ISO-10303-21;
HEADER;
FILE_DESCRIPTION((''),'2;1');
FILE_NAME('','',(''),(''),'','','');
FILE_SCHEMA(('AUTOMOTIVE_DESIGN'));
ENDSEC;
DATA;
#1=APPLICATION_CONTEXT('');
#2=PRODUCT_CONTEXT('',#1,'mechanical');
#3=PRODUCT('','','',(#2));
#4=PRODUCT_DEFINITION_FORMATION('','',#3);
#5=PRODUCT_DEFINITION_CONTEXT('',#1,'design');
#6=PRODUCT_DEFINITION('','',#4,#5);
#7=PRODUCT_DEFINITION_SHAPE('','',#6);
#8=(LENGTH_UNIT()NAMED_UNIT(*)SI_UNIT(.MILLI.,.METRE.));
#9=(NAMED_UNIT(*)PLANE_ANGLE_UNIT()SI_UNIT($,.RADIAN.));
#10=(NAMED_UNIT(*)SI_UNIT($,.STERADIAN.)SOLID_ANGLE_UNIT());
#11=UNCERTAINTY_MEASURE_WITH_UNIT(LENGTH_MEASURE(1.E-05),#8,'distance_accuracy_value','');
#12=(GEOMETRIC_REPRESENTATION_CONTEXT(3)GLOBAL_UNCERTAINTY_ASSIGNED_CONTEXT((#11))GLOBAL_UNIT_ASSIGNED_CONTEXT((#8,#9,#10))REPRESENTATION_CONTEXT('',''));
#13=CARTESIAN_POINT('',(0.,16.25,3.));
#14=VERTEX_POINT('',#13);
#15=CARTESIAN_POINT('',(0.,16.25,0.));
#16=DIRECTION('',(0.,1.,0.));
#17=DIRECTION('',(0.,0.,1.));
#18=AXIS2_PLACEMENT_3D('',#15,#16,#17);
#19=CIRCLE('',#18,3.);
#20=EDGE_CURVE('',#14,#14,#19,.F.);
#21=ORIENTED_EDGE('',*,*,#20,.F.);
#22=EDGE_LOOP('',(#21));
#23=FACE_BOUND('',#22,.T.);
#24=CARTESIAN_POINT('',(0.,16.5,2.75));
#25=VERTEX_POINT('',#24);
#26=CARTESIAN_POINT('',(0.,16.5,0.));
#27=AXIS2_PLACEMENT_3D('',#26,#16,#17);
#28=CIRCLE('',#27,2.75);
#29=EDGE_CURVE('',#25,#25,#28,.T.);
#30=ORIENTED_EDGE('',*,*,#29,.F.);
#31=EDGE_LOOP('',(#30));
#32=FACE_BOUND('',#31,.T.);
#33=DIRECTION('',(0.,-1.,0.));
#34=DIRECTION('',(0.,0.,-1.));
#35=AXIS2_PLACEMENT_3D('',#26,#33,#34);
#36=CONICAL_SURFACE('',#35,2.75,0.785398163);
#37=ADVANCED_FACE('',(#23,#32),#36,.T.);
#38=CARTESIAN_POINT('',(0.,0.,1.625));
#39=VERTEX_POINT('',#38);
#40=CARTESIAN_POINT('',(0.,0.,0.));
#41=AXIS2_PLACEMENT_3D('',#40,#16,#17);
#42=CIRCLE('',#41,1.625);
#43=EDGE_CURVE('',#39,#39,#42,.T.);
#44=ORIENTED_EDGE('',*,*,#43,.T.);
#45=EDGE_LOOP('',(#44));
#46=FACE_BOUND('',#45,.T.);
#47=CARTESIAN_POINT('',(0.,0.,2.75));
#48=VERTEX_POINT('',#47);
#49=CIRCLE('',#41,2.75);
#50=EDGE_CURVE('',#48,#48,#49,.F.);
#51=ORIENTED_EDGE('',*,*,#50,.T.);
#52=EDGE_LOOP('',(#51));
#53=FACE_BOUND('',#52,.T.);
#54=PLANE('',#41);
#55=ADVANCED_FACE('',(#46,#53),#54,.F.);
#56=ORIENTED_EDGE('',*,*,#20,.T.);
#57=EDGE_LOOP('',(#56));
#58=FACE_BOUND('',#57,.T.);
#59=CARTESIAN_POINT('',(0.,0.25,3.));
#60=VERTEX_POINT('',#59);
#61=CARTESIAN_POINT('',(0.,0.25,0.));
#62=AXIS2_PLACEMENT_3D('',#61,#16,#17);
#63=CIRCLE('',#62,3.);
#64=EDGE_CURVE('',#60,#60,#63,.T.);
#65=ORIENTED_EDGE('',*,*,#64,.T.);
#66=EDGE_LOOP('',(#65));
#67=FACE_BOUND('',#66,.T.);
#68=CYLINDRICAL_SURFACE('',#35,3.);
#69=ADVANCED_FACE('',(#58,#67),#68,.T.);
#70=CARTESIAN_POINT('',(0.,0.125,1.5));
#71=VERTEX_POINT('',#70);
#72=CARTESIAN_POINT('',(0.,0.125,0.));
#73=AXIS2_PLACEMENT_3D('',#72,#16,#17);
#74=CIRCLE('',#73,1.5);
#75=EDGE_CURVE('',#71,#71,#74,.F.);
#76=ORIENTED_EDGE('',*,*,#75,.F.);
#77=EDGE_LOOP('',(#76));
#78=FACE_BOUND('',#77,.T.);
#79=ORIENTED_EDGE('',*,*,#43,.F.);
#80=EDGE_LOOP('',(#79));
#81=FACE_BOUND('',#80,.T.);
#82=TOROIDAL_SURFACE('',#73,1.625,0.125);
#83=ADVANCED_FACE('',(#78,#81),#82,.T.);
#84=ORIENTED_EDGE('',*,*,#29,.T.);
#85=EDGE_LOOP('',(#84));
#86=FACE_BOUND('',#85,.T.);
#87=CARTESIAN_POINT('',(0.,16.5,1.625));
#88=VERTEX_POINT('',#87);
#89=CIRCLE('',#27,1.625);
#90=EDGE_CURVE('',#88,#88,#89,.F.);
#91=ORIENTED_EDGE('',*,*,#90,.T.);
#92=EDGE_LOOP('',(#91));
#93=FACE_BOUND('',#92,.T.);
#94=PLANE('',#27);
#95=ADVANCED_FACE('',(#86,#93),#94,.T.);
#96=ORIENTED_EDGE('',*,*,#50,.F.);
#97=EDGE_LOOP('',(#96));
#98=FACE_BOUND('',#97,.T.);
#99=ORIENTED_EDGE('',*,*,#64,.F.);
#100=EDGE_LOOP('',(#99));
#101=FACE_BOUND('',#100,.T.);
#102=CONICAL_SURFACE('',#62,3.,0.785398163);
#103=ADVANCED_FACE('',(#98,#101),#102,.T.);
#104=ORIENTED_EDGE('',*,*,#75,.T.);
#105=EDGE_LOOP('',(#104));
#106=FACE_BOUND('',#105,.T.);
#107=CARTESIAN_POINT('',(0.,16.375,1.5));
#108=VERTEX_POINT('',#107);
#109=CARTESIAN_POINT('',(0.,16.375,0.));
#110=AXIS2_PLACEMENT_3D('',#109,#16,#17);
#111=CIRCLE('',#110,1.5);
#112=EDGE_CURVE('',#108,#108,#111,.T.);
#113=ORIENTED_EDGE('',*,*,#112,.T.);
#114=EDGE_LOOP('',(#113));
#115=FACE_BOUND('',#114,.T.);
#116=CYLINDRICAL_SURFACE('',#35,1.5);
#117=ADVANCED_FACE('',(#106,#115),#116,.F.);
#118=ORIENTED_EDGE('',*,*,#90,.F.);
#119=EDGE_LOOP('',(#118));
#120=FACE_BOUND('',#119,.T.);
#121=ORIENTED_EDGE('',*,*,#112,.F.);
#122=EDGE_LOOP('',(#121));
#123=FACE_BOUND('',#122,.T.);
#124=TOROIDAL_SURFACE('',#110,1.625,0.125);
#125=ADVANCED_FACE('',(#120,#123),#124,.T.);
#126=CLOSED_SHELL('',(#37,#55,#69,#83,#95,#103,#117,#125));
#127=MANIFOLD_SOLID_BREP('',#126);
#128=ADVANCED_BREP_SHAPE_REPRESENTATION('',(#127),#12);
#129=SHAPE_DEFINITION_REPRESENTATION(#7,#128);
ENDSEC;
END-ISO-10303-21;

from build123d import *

# Parameters (mm, degrees)
SKETCH1_R           = 3
SKETCH1_R_2         = 1.5
BOSS_EXTRUDE1_DEPTH = 16.5
CHAMFER1_SIZE       = 0.25
FILLET1_R           = 0.125


with BuildPart() as part:
    # Sketch1 → Boss-Extrude1 (new body)
    with BuildSketch(Plane(origin=(0, 0, 0), x_dir=(1, 0, 0), z_dir=(0, 1, 0))):
        with Locations(Location((0, 0, 0), (0, 0, 270))):
            Circle(SKETCH1_R)
        with Locations(Location((0, 0, 0), (0, 0, 270))):
            Circle(SKETCH1_R_2, mode=Mode.SUBTRACT)
    extrude(amount=BOSS_EXTRUDE1_DEPTH)

    # Chamfer1
    chamfer1_edges = [part.edges().sort_by_distance(p)[0] for p in [
        (0, 16.5, -3),
        (0, 0, -3),
    ]]
    chamfer(chamfer1_edges, length=CHAMFER1_SIZE)

    # Fillet1
    fillet1_edges = [part.edges().sort_by_distance(p)[0] for p in [
        (0, 0, -1.5),
        (0, 16.5, -1.5),
    ]]
    fillet(fillet1_edges, radius=FILLET1_R)


solid = part.part
